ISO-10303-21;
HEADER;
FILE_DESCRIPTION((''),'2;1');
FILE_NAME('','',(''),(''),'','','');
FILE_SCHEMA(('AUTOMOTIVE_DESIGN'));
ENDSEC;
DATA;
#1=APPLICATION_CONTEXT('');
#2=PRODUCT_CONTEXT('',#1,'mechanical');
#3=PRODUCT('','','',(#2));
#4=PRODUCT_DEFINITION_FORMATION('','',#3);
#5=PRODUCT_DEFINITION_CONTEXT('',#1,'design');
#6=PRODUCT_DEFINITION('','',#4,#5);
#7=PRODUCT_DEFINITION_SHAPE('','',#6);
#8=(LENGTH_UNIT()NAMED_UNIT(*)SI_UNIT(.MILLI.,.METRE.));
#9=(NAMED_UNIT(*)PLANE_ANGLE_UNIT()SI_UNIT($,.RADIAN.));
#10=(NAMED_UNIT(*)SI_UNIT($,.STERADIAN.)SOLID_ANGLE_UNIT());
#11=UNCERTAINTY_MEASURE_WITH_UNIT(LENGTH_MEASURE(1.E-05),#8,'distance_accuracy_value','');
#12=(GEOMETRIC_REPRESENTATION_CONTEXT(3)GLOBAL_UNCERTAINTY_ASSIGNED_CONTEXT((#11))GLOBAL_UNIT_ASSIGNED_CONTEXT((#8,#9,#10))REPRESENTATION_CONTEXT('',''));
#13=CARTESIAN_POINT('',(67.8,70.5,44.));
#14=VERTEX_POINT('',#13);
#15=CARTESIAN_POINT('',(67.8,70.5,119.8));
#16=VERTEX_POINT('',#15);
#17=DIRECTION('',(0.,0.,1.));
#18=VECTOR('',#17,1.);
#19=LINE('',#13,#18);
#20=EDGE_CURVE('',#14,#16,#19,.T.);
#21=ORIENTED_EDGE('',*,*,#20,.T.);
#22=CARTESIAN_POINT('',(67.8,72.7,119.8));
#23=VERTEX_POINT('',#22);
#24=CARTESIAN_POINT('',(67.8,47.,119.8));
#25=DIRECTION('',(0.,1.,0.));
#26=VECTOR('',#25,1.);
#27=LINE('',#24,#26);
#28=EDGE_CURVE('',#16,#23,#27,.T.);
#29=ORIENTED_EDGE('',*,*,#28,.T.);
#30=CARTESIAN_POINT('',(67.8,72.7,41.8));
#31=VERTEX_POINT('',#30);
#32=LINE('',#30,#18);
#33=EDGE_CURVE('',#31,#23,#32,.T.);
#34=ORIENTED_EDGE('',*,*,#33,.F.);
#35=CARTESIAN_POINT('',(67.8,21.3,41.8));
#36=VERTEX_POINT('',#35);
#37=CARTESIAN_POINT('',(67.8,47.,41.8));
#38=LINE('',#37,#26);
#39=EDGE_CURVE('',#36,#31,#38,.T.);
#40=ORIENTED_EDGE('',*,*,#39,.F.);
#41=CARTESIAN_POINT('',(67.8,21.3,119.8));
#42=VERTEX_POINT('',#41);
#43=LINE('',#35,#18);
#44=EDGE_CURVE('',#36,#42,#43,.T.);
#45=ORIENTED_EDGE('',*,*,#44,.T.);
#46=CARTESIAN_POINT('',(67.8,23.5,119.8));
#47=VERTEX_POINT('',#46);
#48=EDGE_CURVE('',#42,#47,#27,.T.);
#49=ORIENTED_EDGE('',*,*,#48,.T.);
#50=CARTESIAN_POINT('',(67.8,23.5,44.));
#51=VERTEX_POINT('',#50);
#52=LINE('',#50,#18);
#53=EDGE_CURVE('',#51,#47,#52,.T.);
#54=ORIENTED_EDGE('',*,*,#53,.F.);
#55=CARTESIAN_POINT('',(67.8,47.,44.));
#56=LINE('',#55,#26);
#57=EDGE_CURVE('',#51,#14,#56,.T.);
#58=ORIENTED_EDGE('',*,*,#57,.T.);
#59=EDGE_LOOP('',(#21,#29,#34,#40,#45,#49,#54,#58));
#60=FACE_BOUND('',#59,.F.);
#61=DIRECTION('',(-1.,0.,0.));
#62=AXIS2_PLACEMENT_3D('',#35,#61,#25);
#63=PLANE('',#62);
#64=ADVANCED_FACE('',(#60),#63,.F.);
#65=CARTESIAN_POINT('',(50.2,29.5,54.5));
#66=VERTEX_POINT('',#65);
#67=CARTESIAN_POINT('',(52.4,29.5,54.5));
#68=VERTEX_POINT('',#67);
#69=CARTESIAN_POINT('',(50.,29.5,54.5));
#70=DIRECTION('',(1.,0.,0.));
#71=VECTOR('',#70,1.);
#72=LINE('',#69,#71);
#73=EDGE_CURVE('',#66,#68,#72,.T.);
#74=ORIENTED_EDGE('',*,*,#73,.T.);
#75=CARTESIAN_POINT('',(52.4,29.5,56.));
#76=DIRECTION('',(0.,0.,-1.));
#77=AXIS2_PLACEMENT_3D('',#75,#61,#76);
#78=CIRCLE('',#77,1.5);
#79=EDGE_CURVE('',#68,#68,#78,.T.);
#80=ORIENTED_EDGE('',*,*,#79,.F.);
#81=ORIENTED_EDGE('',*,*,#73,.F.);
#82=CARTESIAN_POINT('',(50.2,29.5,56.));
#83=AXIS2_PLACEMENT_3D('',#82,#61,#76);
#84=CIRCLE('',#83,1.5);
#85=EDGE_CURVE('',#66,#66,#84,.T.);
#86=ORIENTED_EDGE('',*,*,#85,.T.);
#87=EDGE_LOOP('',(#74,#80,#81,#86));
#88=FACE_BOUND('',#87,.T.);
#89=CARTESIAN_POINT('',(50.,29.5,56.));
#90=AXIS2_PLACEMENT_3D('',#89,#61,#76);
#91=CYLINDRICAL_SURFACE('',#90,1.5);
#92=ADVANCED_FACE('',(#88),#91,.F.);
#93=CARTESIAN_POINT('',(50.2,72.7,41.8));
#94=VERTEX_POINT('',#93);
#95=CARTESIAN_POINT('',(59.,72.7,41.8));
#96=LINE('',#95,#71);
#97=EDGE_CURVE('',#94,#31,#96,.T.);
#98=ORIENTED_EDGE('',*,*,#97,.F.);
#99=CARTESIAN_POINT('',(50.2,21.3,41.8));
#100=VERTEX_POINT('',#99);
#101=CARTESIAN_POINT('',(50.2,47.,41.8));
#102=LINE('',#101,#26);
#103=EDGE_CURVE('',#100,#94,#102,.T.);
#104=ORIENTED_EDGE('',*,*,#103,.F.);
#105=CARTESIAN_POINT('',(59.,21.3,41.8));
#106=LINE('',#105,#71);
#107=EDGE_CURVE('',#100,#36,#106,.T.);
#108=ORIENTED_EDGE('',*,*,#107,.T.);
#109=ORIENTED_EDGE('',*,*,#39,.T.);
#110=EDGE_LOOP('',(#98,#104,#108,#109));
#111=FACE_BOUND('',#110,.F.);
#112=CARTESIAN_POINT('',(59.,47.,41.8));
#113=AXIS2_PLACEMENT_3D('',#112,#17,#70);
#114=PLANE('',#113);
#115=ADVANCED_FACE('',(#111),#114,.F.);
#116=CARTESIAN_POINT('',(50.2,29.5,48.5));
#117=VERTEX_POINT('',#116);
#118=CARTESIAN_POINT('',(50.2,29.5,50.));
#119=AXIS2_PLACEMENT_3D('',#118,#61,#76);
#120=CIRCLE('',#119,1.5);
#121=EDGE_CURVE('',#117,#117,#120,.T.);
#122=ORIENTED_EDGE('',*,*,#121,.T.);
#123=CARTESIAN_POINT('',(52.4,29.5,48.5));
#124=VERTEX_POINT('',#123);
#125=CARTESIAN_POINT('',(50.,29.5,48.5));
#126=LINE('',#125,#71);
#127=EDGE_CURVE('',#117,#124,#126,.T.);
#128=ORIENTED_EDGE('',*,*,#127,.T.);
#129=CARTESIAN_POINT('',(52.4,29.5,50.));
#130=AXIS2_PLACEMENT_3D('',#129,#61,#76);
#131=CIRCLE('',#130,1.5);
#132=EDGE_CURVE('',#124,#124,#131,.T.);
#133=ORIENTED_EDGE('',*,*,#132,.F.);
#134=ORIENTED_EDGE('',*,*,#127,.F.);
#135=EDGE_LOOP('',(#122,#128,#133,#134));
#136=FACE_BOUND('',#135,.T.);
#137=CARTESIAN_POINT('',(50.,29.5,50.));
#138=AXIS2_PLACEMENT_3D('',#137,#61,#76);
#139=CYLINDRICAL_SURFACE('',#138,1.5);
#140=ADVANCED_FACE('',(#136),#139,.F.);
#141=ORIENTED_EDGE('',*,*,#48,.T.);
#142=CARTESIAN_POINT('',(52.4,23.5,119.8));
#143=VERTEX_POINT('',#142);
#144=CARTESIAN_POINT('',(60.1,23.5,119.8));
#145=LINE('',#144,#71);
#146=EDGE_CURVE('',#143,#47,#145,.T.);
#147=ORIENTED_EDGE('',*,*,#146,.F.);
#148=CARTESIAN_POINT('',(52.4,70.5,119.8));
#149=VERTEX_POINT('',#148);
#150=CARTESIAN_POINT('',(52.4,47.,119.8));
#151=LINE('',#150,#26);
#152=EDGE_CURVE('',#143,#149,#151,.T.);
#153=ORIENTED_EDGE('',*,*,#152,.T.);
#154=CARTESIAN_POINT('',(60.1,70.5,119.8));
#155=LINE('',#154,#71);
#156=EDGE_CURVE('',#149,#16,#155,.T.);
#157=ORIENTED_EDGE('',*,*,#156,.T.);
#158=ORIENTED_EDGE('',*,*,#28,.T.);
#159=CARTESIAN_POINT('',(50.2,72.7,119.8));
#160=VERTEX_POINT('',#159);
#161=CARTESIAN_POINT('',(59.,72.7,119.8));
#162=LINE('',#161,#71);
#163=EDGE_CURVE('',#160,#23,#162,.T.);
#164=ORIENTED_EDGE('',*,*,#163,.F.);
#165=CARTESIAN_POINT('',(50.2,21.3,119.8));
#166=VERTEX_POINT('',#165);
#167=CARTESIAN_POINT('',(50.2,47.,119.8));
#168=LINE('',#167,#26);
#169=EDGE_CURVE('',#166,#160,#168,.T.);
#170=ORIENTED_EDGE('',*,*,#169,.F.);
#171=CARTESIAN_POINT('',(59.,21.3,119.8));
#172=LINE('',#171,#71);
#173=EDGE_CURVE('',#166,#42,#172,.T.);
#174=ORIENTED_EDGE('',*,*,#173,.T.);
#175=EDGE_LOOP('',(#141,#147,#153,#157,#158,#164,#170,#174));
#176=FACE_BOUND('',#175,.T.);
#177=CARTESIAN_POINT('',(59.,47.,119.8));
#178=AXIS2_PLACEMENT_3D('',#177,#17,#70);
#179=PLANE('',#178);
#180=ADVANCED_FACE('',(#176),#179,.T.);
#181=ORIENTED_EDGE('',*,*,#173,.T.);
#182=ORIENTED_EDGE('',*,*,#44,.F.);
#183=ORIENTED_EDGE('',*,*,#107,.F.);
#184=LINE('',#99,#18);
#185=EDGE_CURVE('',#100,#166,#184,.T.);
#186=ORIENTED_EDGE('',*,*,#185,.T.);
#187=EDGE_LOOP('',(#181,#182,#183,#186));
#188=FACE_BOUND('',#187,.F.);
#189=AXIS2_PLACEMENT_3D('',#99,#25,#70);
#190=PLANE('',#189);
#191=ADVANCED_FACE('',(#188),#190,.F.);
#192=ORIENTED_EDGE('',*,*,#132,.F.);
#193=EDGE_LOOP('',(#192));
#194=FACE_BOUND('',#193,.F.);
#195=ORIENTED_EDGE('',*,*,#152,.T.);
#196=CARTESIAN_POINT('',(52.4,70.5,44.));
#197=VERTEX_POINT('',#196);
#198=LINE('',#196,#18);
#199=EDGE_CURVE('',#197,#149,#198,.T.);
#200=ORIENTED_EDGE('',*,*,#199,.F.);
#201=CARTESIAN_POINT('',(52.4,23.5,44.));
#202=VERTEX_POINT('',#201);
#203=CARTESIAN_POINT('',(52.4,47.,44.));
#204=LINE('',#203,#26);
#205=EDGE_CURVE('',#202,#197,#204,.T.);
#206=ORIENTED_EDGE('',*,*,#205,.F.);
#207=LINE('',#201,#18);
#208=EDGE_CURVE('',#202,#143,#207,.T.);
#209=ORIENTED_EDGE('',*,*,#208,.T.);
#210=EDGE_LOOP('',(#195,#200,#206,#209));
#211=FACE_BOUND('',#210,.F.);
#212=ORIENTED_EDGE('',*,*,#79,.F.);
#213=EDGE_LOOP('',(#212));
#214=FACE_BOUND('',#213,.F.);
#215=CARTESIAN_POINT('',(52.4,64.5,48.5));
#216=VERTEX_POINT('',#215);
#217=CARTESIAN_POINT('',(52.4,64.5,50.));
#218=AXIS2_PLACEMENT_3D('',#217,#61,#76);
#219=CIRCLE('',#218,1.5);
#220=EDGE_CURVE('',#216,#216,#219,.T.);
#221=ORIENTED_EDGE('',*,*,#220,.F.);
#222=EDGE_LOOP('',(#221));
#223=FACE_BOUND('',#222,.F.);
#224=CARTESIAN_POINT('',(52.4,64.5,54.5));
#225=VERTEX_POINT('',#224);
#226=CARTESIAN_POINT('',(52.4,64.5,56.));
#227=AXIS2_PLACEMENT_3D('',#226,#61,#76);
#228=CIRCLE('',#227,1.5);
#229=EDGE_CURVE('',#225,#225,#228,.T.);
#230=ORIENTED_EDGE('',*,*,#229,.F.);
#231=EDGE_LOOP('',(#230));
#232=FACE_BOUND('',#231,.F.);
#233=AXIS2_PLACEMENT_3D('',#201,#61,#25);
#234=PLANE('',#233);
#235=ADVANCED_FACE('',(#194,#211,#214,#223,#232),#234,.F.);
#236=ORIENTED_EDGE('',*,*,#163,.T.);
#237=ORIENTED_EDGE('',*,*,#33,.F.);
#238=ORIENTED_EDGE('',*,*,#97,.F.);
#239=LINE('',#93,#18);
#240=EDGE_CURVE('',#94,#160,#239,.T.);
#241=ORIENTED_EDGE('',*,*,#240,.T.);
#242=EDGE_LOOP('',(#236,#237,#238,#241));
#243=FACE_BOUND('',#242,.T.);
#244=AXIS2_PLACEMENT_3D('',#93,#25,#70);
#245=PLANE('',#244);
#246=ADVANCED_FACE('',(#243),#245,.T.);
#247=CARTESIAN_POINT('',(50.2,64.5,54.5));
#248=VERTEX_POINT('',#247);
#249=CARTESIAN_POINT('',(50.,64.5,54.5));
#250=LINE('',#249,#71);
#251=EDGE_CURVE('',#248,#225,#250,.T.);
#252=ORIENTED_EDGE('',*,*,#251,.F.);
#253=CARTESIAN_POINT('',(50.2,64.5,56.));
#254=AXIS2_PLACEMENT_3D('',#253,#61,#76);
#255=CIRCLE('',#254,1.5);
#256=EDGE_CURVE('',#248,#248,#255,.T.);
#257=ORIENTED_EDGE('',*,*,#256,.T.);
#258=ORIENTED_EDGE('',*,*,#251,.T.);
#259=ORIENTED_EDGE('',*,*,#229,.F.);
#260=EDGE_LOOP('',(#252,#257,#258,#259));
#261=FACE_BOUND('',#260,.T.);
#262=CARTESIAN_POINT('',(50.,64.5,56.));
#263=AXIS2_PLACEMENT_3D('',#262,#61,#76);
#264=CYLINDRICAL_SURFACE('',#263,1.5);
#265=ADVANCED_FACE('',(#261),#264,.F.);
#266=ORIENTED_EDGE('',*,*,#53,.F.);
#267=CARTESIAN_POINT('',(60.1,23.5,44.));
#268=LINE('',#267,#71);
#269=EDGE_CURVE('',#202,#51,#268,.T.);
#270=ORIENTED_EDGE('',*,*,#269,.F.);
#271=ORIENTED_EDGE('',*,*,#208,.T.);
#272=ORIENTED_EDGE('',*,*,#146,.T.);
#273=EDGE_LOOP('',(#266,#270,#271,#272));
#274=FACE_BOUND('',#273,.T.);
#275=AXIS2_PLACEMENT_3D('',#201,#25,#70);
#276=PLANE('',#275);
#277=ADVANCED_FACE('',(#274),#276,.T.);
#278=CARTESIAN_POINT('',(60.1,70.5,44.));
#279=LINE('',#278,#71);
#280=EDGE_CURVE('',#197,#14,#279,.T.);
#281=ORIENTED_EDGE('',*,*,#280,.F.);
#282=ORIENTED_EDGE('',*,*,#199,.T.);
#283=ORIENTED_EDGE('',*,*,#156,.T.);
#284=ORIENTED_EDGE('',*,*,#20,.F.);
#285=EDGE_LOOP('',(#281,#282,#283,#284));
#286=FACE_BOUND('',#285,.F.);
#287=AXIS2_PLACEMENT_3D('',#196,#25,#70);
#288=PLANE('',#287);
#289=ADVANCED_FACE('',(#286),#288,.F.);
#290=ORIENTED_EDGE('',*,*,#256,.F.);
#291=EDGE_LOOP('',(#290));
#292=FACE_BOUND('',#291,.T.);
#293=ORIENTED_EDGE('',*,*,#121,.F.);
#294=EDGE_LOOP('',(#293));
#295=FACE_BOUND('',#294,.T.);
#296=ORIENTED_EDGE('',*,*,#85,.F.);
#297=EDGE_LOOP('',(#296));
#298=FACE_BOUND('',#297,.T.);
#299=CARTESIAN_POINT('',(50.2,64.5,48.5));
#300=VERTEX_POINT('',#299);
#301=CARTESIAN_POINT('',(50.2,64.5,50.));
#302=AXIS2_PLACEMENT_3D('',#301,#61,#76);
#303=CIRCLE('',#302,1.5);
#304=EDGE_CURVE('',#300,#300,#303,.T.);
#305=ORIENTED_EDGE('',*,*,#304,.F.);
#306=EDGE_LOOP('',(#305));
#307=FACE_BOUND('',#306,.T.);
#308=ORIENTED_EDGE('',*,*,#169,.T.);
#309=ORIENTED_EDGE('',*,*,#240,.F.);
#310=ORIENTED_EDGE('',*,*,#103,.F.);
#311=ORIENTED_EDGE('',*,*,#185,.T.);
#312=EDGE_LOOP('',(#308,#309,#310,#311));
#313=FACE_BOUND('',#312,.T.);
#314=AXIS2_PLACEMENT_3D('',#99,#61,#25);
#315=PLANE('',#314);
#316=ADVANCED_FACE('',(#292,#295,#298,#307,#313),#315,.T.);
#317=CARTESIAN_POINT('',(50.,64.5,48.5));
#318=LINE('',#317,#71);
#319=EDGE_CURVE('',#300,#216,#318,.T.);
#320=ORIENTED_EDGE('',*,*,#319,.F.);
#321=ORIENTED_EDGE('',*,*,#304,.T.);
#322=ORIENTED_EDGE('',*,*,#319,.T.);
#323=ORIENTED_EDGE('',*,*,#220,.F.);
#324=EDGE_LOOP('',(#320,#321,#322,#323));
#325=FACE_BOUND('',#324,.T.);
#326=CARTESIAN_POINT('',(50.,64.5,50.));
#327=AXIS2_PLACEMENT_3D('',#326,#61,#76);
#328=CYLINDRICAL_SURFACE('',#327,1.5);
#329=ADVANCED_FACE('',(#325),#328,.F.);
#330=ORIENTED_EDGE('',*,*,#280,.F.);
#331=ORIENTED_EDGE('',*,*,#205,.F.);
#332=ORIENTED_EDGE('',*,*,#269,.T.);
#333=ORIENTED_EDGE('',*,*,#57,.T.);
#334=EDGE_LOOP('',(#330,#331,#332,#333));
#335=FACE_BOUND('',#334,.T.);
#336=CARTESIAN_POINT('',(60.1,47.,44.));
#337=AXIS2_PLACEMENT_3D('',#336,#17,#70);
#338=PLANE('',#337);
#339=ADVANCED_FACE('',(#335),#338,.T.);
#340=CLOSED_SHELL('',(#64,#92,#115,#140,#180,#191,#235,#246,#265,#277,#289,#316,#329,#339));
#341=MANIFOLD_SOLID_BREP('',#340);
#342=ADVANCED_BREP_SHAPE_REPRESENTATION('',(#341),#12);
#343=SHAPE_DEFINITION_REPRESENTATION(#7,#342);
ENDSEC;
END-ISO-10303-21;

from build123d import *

# Parameters (mm, degrees)
CYLINDER026_R     = 1.5
CYLINDER026_DEPTH = 10
CYLINDER025_R     = 1.5
CYLINDER025_DEPTH = 10
CYLINDER024_R     = 1.5
CYLINDER024_DEPTH = 10
CYLINDER027_R     = 1.5
CYLINDER027_DEPTH = 10
BOX022_W          = 15.4
BOX022_H          = 47
BOX022_DEPTH      = 75.8
BOX021_W          = 17.6
BOX021_H          = 51.4
BOX021_DEPTH      = 78


with BuildPart() as vs_schale_loch003:
    # Cylinder026 → Cylinder026 (new body)
    with BuildSketch(Plane(origin=(50, 64.5, 56), x_dir=(0, 0, -1), z_dir=(1, 0, 0))):
        Circle(CYLINDER026_R)
    extrude(amount=CYLINDER026_DEPTH)


with BuildPart() as vs_schale_loch002:
    # Cylinder025 → Cylinder025 (new body)
    with BuildSketch(Plane(origin=(50, 29.5, 50), x_dir=(0, 0, -1), z_dir=(1, 0, 0))):
        Circle(CYLINDER025_R)
    extrude(amount=CYLINDER025_DEPTH)


with BuildPart() as vs_schale_loch001:
    # Cylinder024 → Cylinder024 (new body)
    with BuildSketch(Plane(origin=(50, 29.5, 56), x_dir=(0, 0, -1), z_dir=(1, 0, 0))):
        Circle(CYLINDER024_R)
    extrude(amount=CYLINDER024_DEPTH)


with BuildPart() as vs_schale_loecher:
    # Cylinder027 → Cylinder027 (new body)
    with BuildSketch(Plane(origin=(50, 64.5, 50), x_dir=(0, 0, -1), z_dir=(1, 0, 0))):
        Circle(CYLINDER027_R)
    extrude(amount=CYLINDER027_DEPTH)

    # Fusion015: union VS_Schale_Loch003, VS_Schale_Loch002, VS_Schale_Loch001
    add(vs_schale_loch003.part)
    add(vs_schale_loch002.part)
    add(vs_schale_loch001.part)


with BuildPart() as verst_schale_innen:
    # Box022 → Box022 (new body)
    with BuildSketch(Plane(origin=(2.2, 2.2, 2.2), x_dir=(1, 0, 0), z_dir=(0, 0, 1))):
        with Locations((7.7, 23.5)):
            Rectangle(BOX022_W, BOX022_H)
    extrude(amount=BOX022_DEPTH)


with BuildPart() as verst_schale_loecher:
    # Box021 → Box021 (new body)
    with BuildSketch(Plane.XY):
        with Locations((8.8, 25.7)):
            Rectangle(BOX021_W, BOX021_H)
    extrude(amount=BOX021_DEPTH)

    # Cut022: cut Verst_Schale_Innen
    add(verst_schale_innen.part, mode=Mode.SUBTRACT)


with BuildPart() as verst_schale_loecher_1:
    # Cut022 placement: moved
    add(verst_schale_loecher.part.moved(Location((50.2, 21.3, 41.8))))

    # Cut029: cut VS_Schale_Loecher
    add(vs_schale_loecher.part, mode=Mode.SUBTRACT)


solid = verst_schale_loecher_1.part
